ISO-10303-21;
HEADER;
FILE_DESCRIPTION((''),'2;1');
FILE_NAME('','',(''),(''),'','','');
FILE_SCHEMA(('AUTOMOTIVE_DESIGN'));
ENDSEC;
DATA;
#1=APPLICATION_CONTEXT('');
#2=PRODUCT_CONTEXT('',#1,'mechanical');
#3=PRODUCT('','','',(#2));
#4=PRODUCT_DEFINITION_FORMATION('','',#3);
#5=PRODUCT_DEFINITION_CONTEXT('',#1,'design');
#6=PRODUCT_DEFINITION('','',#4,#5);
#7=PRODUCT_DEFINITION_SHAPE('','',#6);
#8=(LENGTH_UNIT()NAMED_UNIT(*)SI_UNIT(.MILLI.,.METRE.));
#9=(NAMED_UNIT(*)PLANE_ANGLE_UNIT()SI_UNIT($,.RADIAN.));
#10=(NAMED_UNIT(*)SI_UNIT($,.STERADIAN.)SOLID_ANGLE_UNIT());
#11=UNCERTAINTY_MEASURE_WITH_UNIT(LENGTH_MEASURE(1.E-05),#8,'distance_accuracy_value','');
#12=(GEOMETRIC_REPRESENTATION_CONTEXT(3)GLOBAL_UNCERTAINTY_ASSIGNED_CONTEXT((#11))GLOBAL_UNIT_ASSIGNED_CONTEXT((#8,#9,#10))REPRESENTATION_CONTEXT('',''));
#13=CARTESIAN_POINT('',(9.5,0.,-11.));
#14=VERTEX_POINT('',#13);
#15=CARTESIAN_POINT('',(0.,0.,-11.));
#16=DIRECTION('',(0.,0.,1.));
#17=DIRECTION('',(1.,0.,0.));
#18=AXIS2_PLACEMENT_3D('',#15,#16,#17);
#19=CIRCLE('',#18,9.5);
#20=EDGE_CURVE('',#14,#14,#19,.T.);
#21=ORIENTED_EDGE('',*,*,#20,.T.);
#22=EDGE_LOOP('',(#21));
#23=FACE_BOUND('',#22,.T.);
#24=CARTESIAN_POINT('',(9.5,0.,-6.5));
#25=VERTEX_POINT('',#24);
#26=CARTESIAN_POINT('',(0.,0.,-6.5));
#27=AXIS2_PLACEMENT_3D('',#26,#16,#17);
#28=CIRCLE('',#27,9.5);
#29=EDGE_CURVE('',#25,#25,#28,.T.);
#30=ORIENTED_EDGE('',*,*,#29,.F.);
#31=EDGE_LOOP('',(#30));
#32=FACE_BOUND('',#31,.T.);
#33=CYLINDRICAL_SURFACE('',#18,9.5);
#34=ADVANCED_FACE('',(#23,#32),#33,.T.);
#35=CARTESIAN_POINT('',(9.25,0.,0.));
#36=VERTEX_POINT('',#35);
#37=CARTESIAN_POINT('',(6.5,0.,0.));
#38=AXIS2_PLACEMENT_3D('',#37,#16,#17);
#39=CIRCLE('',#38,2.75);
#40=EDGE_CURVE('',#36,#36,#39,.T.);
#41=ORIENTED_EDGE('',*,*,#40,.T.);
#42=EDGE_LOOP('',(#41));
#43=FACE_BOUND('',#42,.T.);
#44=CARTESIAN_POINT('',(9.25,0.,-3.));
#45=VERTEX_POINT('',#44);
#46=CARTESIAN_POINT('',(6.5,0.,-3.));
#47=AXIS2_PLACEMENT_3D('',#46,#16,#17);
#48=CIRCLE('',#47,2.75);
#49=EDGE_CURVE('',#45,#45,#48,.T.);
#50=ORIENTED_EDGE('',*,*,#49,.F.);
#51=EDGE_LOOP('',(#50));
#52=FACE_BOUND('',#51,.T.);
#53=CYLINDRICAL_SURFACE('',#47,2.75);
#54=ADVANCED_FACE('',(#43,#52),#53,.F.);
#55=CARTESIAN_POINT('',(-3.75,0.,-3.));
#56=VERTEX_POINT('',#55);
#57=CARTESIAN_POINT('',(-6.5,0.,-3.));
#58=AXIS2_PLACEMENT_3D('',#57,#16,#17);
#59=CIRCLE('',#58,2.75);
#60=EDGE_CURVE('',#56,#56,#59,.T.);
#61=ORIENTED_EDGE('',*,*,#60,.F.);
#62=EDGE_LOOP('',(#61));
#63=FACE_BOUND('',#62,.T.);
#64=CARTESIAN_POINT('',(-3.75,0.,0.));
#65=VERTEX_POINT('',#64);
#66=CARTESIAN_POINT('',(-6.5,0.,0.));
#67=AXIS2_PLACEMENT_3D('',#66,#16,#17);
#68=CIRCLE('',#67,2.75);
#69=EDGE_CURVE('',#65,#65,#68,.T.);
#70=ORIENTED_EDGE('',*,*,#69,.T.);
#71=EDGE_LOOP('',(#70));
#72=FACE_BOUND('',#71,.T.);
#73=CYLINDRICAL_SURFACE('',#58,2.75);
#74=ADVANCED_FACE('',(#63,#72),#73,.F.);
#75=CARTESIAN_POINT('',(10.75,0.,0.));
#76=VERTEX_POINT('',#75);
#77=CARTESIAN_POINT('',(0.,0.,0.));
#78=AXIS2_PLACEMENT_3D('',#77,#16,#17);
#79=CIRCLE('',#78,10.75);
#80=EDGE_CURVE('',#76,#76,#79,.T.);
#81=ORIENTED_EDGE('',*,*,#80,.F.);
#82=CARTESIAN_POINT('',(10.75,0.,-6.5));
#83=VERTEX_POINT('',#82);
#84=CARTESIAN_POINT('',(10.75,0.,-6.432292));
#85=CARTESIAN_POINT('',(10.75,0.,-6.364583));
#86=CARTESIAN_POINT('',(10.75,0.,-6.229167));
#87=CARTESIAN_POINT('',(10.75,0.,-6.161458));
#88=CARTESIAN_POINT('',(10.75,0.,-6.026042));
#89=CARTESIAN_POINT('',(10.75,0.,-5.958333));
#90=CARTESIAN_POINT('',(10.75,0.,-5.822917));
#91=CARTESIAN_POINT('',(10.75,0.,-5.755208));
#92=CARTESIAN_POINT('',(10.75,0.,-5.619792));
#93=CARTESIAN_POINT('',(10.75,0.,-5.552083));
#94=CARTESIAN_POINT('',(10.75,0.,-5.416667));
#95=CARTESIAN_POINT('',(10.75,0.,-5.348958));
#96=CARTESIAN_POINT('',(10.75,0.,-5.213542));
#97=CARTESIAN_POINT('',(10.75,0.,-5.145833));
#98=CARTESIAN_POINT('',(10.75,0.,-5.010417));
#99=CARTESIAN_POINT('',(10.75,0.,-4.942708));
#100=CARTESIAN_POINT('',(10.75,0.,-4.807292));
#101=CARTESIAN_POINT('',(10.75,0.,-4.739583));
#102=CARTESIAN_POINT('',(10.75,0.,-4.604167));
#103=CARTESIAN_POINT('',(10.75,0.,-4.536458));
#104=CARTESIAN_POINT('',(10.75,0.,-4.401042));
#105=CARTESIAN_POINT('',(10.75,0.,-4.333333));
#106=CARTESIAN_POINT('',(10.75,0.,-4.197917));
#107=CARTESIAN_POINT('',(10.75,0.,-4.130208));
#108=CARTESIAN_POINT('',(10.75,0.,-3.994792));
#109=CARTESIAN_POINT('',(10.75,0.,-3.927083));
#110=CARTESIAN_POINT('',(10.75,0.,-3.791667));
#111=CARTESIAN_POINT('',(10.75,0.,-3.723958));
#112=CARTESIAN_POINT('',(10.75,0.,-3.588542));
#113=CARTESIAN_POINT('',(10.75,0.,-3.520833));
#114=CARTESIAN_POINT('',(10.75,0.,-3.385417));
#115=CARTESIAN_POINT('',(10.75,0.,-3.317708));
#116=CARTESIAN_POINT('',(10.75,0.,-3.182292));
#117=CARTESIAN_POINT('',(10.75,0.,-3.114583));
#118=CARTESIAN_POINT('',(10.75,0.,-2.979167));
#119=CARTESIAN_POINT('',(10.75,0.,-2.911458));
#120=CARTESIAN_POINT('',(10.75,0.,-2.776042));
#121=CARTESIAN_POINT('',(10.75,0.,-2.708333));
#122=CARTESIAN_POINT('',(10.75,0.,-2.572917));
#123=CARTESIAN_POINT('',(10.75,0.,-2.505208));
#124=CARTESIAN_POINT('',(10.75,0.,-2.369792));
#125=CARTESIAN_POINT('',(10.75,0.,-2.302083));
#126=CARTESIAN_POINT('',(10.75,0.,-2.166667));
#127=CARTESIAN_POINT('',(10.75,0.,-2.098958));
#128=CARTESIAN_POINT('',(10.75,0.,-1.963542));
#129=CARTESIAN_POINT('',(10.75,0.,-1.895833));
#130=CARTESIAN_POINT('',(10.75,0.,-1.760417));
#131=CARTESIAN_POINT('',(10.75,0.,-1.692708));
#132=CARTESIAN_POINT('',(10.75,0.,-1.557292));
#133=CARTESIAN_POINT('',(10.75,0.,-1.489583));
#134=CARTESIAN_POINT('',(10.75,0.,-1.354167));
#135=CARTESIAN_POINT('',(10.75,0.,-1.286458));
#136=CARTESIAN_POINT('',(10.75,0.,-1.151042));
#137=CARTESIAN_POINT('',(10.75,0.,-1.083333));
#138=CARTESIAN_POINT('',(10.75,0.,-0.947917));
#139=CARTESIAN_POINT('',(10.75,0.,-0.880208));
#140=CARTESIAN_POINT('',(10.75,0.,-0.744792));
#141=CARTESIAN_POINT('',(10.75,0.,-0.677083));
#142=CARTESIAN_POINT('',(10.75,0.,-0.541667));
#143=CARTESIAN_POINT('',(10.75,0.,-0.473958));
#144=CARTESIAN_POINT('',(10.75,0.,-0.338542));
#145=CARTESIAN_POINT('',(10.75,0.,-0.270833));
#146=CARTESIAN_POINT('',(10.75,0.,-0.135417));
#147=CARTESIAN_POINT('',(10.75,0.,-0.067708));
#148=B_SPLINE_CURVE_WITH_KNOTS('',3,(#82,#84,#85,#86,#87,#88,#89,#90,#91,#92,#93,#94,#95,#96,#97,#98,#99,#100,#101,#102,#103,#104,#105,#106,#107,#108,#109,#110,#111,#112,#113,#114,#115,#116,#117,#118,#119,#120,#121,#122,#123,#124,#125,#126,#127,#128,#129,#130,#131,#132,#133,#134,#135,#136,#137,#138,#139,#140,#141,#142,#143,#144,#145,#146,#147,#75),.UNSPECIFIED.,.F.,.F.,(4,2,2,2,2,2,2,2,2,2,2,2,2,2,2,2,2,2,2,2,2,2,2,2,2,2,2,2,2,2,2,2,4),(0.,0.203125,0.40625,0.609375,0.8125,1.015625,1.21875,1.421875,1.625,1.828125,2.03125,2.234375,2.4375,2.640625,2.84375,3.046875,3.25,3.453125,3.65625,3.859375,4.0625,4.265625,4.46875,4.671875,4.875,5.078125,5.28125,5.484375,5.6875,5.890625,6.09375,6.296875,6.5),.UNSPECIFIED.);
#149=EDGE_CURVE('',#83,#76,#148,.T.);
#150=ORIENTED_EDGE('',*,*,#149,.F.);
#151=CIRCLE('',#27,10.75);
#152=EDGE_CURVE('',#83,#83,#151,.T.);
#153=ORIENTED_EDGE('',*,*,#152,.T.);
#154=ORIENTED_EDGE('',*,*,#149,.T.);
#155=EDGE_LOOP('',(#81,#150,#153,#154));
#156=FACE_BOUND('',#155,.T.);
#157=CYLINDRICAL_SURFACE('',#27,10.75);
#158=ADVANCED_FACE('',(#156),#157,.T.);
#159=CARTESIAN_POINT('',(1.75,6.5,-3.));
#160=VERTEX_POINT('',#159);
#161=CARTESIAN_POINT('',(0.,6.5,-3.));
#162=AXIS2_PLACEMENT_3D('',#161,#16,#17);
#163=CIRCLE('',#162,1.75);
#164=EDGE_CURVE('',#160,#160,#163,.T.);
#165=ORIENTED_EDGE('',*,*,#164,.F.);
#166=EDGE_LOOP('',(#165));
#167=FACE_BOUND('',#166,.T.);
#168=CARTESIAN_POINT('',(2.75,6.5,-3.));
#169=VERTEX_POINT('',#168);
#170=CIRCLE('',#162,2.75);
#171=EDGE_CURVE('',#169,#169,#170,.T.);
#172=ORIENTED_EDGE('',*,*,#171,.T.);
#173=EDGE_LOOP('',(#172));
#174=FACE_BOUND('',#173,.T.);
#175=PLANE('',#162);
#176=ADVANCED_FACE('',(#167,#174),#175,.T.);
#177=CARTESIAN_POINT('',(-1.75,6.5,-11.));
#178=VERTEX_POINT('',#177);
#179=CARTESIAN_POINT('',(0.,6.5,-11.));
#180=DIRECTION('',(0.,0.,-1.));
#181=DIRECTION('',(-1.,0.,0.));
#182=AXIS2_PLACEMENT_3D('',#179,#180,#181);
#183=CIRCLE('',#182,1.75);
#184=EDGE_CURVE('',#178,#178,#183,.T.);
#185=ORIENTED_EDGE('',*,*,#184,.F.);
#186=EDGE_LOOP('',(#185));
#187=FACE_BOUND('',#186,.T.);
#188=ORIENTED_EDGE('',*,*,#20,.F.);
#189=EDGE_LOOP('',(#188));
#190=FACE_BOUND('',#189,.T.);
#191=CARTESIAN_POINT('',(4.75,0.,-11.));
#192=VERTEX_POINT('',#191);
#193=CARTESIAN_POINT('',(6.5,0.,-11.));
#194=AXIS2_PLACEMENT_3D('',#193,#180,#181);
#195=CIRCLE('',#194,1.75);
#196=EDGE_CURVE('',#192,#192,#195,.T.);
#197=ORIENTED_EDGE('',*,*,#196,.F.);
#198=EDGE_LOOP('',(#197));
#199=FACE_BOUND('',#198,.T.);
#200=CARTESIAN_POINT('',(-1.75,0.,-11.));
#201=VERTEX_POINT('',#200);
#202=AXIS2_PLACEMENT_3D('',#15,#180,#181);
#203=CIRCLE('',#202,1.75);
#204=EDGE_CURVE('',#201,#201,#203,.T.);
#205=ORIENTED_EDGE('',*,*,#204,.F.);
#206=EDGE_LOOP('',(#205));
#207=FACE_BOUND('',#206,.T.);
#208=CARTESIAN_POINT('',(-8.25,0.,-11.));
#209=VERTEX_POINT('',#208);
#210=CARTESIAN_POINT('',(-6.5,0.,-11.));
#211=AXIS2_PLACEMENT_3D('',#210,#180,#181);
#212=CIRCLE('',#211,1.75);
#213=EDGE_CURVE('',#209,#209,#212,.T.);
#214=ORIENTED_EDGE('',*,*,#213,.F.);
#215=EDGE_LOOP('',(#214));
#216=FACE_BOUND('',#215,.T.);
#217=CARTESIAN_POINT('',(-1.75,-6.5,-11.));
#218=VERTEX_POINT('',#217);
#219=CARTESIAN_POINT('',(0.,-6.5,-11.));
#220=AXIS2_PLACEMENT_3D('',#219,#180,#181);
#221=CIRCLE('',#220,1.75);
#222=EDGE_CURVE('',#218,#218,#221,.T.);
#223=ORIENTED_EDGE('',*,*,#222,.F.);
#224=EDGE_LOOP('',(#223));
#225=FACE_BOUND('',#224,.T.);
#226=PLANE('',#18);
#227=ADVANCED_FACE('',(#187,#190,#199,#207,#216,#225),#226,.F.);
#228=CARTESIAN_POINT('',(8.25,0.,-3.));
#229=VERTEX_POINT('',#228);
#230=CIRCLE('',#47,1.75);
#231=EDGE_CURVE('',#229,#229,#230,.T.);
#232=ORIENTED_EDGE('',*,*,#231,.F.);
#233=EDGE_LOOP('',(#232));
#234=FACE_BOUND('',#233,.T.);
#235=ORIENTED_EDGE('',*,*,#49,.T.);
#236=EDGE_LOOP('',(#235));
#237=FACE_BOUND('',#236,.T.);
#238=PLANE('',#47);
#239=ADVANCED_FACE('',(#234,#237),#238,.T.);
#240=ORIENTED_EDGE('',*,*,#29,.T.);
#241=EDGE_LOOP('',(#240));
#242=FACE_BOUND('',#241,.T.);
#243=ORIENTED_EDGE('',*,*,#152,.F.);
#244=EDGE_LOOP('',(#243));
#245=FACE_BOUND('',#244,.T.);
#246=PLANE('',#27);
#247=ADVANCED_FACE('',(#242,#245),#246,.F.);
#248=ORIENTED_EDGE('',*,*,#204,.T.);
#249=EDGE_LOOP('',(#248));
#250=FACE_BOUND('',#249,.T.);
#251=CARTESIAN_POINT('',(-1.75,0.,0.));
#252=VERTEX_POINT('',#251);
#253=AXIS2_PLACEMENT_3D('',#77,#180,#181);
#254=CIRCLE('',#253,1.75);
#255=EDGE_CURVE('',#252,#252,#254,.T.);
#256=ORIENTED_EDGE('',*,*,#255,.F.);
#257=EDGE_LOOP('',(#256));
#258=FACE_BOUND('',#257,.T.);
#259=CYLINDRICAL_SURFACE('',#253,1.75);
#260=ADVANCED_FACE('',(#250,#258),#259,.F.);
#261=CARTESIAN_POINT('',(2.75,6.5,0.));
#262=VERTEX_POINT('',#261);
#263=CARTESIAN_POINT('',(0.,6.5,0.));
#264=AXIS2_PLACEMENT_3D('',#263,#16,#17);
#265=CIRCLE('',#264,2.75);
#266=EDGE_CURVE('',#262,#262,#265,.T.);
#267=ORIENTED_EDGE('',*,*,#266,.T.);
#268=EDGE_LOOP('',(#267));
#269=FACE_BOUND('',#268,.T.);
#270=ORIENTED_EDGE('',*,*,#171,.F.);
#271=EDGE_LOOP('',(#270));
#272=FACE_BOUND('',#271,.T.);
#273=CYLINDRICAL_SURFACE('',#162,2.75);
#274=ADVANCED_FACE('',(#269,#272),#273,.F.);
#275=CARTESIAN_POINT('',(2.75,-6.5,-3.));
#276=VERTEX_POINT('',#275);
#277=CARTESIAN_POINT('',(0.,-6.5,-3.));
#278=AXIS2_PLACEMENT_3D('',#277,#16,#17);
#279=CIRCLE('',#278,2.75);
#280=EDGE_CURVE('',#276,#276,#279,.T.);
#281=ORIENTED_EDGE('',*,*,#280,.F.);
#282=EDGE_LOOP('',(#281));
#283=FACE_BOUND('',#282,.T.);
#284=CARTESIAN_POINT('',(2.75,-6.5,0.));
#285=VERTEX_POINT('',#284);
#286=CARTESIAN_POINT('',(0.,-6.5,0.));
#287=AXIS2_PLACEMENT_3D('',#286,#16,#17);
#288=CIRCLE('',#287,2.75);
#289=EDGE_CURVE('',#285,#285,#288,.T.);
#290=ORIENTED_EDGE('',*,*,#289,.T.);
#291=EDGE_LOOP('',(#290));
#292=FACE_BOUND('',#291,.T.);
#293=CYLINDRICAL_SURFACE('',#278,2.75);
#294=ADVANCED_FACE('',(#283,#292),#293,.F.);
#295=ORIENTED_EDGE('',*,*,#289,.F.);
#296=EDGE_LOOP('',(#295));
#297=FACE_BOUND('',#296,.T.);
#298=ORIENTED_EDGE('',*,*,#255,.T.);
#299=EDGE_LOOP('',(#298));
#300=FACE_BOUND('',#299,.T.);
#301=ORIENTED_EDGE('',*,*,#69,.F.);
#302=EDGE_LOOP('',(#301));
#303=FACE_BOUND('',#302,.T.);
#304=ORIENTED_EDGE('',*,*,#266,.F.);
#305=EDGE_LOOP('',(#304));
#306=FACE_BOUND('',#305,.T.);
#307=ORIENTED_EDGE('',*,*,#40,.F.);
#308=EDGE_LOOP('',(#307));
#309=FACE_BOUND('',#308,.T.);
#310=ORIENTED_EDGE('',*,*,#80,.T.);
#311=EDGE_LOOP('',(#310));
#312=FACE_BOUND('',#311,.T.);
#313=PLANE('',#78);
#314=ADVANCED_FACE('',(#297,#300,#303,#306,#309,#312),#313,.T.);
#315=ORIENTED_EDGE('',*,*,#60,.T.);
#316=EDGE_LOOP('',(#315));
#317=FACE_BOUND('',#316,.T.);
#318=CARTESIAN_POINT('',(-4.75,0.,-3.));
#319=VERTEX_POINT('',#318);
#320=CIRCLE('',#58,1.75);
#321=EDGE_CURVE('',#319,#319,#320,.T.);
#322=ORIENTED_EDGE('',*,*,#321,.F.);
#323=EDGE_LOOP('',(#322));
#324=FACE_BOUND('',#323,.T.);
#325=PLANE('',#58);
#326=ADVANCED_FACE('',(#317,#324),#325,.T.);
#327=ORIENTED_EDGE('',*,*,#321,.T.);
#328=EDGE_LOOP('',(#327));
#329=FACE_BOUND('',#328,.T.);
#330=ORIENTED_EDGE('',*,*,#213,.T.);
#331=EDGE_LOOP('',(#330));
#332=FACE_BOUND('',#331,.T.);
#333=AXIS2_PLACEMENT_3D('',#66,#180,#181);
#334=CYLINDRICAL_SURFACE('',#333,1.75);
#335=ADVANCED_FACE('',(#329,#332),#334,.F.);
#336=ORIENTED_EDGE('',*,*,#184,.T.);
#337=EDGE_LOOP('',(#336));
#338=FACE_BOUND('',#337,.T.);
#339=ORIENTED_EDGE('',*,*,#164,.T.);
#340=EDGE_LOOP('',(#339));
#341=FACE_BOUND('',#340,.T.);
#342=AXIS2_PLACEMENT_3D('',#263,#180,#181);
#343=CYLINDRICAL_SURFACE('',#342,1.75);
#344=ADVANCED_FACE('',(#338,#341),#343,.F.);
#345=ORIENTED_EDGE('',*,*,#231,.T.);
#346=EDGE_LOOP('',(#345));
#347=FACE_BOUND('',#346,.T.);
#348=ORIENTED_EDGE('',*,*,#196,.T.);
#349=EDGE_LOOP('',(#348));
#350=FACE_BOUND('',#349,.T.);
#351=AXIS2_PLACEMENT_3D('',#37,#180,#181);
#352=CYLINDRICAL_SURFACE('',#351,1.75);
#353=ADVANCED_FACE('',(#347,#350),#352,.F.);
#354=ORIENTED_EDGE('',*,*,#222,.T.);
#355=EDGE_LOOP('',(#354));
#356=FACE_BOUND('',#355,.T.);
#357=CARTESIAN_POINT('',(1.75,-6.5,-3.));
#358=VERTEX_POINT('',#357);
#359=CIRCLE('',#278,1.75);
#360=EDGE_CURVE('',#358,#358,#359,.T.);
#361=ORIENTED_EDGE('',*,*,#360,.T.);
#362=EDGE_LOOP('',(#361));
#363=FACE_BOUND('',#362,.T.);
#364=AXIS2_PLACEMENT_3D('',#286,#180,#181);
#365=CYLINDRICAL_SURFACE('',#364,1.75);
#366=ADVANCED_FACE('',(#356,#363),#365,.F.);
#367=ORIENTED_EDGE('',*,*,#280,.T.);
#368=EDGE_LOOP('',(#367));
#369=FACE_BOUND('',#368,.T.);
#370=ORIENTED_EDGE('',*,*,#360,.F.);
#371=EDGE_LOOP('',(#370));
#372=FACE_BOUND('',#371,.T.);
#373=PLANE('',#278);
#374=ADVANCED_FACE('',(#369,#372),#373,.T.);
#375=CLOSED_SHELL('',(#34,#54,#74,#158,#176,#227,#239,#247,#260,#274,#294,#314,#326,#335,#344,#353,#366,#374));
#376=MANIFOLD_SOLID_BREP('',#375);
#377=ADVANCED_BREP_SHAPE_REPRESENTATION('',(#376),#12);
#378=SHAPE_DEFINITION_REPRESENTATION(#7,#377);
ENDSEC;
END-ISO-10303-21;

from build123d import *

# Parameters (mm, degrees)
SKETCH1_R           = 9.5
BOSS_EXTRUDE1_DEPTH = 11
SKETCH1_3_R         = 10.75
SKETCH1_3_R_2       = 9.5
BOSS_EXTRUDE2_DEPTH = 6.5
SKETCH3_R           = 1.75
CUT_EXTRUDE2_DEPTH  = 19.764994005
SKETCH4_R           = 1.75
CUT_EXTRUDE4_DEPTH  = 19.764994005
CUT_EXTRUDE5_START  = -8
SKETCH3_4_R         = 2.75
SKETCH3_4_R_2       = 1.75
CUT_EXTRUDE5_DEPTH  = 3


with BuildPart() as part:
    # Sketch1 → Boss-Extrude1 (new body)
    with BuildSketch(Plane.XY):
        Circle(SKETCH1_R)
    extrude(amount=-BOSS_EXTRUDE1_DEPTH)

    # Sketch1<3> → Boss-Extrude2 (add)
    with BuildSketch(Plane.XY):
        Circle(SKETCH1_3_R)
        Circle(SKETCH1_3_R_2, mode=Mode.SUBTRACT)
    extrude(amount=-BOSS_EXTRUDE2_DEPTH)

    # Sketch3 → Cut-Extrude2 (cut, through all)
    with BuildSketch(Plane(origin=(0, 0, -11), x_dir=(-1, 0, 0), z_dir=(0, 0, -1))):
        with Locations((0, 6.5)):
            Circle(SKETCH3_R)
        with Locations((-6.5, 0)):
            Circle(SKETCH3_R)
        with Locations((6.5, 0)):
            Circle(SKETCH3_R)
        with Locations((0, -6.5)):
            Circle(SKETCH3_R)
    extrude(amount=-CUT_EXTRUDE2_DEPTH, mode=Mode.SUBTRACT)

    # Sketch4 → Cut-Extrude4 (cut, through all)
    with BuildSketch(Plane(origin=(0, 0, -11), x_dir=(-1, 0, 0), z_dir=(0, 0, -1))):
        Circle(SKETCH4_R)
    extrude(amount=-CUT_EXTRUDE4_DEPTH, mode=Mode.SUBTRACT)

    # Sketch3<4> → Cut-Extrude5 (cut)
    # profile 1 of 4: a face of its own
    with BuildSketch(Plane(origin=(0, 0, -11), x_dir=(-1, 0, 0), z_dir=(0, 0, -1)).offset(CUT_EXTRUDE5_START)):
        with Locations(Location((-6.5, 0, 0), (0, 0, 180))):
            Circle(SKETCH3_4_R)
        with Locations((-6.5, 0)):
            Circle(SKETCH3_4_R_2, mode=Mode.SUBTRACT)
    # profile 2 of 4: a face of its own
    with BuildSketch(Plane(origin=(0, 0, -11), x_dir=(-1, 0, 0), z_dir=(0, 0, -1)).offset(CUT_EXTRUDE5_START)):
        with Locations(Location((0, 6.5, 0), (0, 0, 180))):
            Circle(SKETCH3_4_R)
        with Locations((0, 6.5)):
            Circle(SKETCH3_4_R_2, mode=Mode.SUBTRACT)
    # profile 3 of 4: a face of its own
    with BuildSketch(Plane(origin=(0, 0, -11), x_dir=(-1, 0, 0), z_dir=(0, 0, -1)).offset(CUT_EXTRUDE5_START)):
        with Locations(Location((6.5, 0, 0), (0, 0, 180))):
            Circle(SKETCH3_4_R)
        with Locations((6.5, 0)):
            Circle(SKETCH3_4_R_2, mode=Mode.SUBTRACT)
    # profile 4 of 4: a face of its own
    with BuildSketch(Plane(origin=(0, 0, -11), x_dir=(-1, 0, 0), z_dir=(0, 0, -1)).offset(CUT_EXTRUDE5_START)):
        with Locations(Location((0, -6.5, 0), (0, 0, 180))):
            Circle(SKETCH3_4_R)
        with Locations((0, -6.5)):
            Circle(SKETCH3_4_R_2, mode=Mode.SUBTRACT)
    extrude(amount=-CUT_EXTRUDE5_DEPTH, mode=Mode.SUBTRACT)


solid = part.part
